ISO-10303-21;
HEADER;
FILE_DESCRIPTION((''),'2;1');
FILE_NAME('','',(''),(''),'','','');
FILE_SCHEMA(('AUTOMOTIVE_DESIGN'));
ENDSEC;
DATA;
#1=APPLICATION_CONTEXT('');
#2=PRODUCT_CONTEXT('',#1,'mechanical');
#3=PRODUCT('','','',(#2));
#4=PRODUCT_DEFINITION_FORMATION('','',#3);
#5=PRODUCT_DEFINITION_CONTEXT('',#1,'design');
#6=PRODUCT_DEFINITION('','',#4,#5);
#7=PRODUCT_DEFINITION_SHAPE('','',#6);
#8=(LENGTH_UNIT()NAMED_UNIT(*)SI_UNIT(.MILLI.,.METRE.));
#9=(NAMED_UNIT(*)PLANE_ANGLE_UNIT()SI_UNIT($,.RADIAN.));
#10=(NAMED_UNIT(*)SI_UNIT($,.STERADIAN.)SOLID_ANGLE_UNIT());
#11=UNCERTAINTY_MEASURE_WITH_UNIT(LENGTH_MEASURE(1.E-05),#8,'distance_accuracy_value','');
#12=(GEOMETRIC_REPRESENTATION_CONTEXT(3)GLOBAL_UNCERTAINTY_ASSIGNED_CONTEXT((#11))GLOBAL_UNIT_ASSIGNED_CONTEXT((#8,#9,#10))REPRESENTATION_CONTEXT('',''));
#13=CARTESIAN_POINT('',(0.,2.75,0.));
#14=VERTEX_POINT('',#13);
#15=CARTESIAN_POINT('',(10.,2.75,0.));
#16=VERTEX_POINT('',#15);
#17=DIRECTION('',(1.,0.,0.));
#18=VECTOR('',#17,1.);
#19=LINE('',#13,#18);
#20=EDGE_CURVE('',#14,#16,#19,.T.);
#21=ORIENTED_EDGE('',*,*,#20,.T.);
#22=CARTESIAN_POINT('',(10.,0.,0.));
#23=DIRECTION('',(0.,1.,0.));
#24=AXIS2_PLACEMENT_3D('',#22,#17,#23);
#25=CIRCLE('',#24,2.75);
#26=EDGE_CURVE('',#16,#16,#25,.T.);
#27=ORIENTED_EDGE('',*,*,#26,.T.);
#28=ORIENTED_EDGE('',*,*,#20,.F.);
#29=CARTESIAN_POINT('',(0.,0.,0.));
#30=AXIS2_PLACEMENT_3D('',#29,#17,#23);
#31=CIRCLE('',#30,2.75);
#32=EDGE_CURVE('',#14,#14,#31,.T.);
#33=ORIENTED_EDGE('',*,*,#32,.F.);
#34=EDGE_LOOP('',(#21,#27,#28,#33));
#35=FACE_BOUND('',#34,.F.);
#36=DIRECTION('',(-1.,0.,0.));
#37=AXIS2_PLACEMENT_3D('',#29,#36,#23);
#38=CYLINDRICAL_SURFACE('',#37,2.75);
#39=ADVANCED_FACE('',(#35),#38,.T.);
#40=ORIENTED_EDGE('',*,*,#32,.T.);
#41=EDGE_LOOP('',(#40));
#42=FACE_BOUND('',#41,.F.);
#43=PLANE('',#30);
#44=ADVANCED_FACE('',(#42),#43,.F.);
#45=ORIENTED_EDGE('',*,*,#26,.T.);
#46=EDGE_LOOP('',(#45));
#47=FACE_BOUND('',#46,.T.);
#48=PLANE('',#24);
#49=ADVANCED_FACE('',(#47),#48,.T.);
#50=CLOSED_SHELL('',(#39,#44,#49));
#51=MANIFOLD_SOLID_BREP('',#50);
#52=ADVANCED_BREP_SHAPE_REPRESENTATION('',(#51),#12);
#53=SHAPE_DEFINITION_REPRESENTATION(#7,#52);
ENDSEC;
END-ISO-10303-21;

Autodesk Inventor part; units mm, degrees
ref_plane "YZ Plane" through (0, 0, 0) normal (1, 0, 0) x (0, 1, 0)
ref_plane "XZ Plane" through (0, 0, 0) normal (0, 1, 0) x (-1, 0, 0)
ref_plane "XY Plane" through (0, 0, 0) normal (0, 0, 1) x (1, 0, 0)
sketch "Esquisse1" plane through (0, 0, 0) normal (1, 0, 0) x (0, 1, 0)
  circle A0 centre (0, 0) radius 2.75
  dimension "d0" = 5.5
extrude "Extrusion1" add sketch "Esquisse1" along normal blind 10
thread "Filetage1" size "M5.5x0.5" class "6g" standard "ANSI Metric M Profile" full length
properties part number "vis"
